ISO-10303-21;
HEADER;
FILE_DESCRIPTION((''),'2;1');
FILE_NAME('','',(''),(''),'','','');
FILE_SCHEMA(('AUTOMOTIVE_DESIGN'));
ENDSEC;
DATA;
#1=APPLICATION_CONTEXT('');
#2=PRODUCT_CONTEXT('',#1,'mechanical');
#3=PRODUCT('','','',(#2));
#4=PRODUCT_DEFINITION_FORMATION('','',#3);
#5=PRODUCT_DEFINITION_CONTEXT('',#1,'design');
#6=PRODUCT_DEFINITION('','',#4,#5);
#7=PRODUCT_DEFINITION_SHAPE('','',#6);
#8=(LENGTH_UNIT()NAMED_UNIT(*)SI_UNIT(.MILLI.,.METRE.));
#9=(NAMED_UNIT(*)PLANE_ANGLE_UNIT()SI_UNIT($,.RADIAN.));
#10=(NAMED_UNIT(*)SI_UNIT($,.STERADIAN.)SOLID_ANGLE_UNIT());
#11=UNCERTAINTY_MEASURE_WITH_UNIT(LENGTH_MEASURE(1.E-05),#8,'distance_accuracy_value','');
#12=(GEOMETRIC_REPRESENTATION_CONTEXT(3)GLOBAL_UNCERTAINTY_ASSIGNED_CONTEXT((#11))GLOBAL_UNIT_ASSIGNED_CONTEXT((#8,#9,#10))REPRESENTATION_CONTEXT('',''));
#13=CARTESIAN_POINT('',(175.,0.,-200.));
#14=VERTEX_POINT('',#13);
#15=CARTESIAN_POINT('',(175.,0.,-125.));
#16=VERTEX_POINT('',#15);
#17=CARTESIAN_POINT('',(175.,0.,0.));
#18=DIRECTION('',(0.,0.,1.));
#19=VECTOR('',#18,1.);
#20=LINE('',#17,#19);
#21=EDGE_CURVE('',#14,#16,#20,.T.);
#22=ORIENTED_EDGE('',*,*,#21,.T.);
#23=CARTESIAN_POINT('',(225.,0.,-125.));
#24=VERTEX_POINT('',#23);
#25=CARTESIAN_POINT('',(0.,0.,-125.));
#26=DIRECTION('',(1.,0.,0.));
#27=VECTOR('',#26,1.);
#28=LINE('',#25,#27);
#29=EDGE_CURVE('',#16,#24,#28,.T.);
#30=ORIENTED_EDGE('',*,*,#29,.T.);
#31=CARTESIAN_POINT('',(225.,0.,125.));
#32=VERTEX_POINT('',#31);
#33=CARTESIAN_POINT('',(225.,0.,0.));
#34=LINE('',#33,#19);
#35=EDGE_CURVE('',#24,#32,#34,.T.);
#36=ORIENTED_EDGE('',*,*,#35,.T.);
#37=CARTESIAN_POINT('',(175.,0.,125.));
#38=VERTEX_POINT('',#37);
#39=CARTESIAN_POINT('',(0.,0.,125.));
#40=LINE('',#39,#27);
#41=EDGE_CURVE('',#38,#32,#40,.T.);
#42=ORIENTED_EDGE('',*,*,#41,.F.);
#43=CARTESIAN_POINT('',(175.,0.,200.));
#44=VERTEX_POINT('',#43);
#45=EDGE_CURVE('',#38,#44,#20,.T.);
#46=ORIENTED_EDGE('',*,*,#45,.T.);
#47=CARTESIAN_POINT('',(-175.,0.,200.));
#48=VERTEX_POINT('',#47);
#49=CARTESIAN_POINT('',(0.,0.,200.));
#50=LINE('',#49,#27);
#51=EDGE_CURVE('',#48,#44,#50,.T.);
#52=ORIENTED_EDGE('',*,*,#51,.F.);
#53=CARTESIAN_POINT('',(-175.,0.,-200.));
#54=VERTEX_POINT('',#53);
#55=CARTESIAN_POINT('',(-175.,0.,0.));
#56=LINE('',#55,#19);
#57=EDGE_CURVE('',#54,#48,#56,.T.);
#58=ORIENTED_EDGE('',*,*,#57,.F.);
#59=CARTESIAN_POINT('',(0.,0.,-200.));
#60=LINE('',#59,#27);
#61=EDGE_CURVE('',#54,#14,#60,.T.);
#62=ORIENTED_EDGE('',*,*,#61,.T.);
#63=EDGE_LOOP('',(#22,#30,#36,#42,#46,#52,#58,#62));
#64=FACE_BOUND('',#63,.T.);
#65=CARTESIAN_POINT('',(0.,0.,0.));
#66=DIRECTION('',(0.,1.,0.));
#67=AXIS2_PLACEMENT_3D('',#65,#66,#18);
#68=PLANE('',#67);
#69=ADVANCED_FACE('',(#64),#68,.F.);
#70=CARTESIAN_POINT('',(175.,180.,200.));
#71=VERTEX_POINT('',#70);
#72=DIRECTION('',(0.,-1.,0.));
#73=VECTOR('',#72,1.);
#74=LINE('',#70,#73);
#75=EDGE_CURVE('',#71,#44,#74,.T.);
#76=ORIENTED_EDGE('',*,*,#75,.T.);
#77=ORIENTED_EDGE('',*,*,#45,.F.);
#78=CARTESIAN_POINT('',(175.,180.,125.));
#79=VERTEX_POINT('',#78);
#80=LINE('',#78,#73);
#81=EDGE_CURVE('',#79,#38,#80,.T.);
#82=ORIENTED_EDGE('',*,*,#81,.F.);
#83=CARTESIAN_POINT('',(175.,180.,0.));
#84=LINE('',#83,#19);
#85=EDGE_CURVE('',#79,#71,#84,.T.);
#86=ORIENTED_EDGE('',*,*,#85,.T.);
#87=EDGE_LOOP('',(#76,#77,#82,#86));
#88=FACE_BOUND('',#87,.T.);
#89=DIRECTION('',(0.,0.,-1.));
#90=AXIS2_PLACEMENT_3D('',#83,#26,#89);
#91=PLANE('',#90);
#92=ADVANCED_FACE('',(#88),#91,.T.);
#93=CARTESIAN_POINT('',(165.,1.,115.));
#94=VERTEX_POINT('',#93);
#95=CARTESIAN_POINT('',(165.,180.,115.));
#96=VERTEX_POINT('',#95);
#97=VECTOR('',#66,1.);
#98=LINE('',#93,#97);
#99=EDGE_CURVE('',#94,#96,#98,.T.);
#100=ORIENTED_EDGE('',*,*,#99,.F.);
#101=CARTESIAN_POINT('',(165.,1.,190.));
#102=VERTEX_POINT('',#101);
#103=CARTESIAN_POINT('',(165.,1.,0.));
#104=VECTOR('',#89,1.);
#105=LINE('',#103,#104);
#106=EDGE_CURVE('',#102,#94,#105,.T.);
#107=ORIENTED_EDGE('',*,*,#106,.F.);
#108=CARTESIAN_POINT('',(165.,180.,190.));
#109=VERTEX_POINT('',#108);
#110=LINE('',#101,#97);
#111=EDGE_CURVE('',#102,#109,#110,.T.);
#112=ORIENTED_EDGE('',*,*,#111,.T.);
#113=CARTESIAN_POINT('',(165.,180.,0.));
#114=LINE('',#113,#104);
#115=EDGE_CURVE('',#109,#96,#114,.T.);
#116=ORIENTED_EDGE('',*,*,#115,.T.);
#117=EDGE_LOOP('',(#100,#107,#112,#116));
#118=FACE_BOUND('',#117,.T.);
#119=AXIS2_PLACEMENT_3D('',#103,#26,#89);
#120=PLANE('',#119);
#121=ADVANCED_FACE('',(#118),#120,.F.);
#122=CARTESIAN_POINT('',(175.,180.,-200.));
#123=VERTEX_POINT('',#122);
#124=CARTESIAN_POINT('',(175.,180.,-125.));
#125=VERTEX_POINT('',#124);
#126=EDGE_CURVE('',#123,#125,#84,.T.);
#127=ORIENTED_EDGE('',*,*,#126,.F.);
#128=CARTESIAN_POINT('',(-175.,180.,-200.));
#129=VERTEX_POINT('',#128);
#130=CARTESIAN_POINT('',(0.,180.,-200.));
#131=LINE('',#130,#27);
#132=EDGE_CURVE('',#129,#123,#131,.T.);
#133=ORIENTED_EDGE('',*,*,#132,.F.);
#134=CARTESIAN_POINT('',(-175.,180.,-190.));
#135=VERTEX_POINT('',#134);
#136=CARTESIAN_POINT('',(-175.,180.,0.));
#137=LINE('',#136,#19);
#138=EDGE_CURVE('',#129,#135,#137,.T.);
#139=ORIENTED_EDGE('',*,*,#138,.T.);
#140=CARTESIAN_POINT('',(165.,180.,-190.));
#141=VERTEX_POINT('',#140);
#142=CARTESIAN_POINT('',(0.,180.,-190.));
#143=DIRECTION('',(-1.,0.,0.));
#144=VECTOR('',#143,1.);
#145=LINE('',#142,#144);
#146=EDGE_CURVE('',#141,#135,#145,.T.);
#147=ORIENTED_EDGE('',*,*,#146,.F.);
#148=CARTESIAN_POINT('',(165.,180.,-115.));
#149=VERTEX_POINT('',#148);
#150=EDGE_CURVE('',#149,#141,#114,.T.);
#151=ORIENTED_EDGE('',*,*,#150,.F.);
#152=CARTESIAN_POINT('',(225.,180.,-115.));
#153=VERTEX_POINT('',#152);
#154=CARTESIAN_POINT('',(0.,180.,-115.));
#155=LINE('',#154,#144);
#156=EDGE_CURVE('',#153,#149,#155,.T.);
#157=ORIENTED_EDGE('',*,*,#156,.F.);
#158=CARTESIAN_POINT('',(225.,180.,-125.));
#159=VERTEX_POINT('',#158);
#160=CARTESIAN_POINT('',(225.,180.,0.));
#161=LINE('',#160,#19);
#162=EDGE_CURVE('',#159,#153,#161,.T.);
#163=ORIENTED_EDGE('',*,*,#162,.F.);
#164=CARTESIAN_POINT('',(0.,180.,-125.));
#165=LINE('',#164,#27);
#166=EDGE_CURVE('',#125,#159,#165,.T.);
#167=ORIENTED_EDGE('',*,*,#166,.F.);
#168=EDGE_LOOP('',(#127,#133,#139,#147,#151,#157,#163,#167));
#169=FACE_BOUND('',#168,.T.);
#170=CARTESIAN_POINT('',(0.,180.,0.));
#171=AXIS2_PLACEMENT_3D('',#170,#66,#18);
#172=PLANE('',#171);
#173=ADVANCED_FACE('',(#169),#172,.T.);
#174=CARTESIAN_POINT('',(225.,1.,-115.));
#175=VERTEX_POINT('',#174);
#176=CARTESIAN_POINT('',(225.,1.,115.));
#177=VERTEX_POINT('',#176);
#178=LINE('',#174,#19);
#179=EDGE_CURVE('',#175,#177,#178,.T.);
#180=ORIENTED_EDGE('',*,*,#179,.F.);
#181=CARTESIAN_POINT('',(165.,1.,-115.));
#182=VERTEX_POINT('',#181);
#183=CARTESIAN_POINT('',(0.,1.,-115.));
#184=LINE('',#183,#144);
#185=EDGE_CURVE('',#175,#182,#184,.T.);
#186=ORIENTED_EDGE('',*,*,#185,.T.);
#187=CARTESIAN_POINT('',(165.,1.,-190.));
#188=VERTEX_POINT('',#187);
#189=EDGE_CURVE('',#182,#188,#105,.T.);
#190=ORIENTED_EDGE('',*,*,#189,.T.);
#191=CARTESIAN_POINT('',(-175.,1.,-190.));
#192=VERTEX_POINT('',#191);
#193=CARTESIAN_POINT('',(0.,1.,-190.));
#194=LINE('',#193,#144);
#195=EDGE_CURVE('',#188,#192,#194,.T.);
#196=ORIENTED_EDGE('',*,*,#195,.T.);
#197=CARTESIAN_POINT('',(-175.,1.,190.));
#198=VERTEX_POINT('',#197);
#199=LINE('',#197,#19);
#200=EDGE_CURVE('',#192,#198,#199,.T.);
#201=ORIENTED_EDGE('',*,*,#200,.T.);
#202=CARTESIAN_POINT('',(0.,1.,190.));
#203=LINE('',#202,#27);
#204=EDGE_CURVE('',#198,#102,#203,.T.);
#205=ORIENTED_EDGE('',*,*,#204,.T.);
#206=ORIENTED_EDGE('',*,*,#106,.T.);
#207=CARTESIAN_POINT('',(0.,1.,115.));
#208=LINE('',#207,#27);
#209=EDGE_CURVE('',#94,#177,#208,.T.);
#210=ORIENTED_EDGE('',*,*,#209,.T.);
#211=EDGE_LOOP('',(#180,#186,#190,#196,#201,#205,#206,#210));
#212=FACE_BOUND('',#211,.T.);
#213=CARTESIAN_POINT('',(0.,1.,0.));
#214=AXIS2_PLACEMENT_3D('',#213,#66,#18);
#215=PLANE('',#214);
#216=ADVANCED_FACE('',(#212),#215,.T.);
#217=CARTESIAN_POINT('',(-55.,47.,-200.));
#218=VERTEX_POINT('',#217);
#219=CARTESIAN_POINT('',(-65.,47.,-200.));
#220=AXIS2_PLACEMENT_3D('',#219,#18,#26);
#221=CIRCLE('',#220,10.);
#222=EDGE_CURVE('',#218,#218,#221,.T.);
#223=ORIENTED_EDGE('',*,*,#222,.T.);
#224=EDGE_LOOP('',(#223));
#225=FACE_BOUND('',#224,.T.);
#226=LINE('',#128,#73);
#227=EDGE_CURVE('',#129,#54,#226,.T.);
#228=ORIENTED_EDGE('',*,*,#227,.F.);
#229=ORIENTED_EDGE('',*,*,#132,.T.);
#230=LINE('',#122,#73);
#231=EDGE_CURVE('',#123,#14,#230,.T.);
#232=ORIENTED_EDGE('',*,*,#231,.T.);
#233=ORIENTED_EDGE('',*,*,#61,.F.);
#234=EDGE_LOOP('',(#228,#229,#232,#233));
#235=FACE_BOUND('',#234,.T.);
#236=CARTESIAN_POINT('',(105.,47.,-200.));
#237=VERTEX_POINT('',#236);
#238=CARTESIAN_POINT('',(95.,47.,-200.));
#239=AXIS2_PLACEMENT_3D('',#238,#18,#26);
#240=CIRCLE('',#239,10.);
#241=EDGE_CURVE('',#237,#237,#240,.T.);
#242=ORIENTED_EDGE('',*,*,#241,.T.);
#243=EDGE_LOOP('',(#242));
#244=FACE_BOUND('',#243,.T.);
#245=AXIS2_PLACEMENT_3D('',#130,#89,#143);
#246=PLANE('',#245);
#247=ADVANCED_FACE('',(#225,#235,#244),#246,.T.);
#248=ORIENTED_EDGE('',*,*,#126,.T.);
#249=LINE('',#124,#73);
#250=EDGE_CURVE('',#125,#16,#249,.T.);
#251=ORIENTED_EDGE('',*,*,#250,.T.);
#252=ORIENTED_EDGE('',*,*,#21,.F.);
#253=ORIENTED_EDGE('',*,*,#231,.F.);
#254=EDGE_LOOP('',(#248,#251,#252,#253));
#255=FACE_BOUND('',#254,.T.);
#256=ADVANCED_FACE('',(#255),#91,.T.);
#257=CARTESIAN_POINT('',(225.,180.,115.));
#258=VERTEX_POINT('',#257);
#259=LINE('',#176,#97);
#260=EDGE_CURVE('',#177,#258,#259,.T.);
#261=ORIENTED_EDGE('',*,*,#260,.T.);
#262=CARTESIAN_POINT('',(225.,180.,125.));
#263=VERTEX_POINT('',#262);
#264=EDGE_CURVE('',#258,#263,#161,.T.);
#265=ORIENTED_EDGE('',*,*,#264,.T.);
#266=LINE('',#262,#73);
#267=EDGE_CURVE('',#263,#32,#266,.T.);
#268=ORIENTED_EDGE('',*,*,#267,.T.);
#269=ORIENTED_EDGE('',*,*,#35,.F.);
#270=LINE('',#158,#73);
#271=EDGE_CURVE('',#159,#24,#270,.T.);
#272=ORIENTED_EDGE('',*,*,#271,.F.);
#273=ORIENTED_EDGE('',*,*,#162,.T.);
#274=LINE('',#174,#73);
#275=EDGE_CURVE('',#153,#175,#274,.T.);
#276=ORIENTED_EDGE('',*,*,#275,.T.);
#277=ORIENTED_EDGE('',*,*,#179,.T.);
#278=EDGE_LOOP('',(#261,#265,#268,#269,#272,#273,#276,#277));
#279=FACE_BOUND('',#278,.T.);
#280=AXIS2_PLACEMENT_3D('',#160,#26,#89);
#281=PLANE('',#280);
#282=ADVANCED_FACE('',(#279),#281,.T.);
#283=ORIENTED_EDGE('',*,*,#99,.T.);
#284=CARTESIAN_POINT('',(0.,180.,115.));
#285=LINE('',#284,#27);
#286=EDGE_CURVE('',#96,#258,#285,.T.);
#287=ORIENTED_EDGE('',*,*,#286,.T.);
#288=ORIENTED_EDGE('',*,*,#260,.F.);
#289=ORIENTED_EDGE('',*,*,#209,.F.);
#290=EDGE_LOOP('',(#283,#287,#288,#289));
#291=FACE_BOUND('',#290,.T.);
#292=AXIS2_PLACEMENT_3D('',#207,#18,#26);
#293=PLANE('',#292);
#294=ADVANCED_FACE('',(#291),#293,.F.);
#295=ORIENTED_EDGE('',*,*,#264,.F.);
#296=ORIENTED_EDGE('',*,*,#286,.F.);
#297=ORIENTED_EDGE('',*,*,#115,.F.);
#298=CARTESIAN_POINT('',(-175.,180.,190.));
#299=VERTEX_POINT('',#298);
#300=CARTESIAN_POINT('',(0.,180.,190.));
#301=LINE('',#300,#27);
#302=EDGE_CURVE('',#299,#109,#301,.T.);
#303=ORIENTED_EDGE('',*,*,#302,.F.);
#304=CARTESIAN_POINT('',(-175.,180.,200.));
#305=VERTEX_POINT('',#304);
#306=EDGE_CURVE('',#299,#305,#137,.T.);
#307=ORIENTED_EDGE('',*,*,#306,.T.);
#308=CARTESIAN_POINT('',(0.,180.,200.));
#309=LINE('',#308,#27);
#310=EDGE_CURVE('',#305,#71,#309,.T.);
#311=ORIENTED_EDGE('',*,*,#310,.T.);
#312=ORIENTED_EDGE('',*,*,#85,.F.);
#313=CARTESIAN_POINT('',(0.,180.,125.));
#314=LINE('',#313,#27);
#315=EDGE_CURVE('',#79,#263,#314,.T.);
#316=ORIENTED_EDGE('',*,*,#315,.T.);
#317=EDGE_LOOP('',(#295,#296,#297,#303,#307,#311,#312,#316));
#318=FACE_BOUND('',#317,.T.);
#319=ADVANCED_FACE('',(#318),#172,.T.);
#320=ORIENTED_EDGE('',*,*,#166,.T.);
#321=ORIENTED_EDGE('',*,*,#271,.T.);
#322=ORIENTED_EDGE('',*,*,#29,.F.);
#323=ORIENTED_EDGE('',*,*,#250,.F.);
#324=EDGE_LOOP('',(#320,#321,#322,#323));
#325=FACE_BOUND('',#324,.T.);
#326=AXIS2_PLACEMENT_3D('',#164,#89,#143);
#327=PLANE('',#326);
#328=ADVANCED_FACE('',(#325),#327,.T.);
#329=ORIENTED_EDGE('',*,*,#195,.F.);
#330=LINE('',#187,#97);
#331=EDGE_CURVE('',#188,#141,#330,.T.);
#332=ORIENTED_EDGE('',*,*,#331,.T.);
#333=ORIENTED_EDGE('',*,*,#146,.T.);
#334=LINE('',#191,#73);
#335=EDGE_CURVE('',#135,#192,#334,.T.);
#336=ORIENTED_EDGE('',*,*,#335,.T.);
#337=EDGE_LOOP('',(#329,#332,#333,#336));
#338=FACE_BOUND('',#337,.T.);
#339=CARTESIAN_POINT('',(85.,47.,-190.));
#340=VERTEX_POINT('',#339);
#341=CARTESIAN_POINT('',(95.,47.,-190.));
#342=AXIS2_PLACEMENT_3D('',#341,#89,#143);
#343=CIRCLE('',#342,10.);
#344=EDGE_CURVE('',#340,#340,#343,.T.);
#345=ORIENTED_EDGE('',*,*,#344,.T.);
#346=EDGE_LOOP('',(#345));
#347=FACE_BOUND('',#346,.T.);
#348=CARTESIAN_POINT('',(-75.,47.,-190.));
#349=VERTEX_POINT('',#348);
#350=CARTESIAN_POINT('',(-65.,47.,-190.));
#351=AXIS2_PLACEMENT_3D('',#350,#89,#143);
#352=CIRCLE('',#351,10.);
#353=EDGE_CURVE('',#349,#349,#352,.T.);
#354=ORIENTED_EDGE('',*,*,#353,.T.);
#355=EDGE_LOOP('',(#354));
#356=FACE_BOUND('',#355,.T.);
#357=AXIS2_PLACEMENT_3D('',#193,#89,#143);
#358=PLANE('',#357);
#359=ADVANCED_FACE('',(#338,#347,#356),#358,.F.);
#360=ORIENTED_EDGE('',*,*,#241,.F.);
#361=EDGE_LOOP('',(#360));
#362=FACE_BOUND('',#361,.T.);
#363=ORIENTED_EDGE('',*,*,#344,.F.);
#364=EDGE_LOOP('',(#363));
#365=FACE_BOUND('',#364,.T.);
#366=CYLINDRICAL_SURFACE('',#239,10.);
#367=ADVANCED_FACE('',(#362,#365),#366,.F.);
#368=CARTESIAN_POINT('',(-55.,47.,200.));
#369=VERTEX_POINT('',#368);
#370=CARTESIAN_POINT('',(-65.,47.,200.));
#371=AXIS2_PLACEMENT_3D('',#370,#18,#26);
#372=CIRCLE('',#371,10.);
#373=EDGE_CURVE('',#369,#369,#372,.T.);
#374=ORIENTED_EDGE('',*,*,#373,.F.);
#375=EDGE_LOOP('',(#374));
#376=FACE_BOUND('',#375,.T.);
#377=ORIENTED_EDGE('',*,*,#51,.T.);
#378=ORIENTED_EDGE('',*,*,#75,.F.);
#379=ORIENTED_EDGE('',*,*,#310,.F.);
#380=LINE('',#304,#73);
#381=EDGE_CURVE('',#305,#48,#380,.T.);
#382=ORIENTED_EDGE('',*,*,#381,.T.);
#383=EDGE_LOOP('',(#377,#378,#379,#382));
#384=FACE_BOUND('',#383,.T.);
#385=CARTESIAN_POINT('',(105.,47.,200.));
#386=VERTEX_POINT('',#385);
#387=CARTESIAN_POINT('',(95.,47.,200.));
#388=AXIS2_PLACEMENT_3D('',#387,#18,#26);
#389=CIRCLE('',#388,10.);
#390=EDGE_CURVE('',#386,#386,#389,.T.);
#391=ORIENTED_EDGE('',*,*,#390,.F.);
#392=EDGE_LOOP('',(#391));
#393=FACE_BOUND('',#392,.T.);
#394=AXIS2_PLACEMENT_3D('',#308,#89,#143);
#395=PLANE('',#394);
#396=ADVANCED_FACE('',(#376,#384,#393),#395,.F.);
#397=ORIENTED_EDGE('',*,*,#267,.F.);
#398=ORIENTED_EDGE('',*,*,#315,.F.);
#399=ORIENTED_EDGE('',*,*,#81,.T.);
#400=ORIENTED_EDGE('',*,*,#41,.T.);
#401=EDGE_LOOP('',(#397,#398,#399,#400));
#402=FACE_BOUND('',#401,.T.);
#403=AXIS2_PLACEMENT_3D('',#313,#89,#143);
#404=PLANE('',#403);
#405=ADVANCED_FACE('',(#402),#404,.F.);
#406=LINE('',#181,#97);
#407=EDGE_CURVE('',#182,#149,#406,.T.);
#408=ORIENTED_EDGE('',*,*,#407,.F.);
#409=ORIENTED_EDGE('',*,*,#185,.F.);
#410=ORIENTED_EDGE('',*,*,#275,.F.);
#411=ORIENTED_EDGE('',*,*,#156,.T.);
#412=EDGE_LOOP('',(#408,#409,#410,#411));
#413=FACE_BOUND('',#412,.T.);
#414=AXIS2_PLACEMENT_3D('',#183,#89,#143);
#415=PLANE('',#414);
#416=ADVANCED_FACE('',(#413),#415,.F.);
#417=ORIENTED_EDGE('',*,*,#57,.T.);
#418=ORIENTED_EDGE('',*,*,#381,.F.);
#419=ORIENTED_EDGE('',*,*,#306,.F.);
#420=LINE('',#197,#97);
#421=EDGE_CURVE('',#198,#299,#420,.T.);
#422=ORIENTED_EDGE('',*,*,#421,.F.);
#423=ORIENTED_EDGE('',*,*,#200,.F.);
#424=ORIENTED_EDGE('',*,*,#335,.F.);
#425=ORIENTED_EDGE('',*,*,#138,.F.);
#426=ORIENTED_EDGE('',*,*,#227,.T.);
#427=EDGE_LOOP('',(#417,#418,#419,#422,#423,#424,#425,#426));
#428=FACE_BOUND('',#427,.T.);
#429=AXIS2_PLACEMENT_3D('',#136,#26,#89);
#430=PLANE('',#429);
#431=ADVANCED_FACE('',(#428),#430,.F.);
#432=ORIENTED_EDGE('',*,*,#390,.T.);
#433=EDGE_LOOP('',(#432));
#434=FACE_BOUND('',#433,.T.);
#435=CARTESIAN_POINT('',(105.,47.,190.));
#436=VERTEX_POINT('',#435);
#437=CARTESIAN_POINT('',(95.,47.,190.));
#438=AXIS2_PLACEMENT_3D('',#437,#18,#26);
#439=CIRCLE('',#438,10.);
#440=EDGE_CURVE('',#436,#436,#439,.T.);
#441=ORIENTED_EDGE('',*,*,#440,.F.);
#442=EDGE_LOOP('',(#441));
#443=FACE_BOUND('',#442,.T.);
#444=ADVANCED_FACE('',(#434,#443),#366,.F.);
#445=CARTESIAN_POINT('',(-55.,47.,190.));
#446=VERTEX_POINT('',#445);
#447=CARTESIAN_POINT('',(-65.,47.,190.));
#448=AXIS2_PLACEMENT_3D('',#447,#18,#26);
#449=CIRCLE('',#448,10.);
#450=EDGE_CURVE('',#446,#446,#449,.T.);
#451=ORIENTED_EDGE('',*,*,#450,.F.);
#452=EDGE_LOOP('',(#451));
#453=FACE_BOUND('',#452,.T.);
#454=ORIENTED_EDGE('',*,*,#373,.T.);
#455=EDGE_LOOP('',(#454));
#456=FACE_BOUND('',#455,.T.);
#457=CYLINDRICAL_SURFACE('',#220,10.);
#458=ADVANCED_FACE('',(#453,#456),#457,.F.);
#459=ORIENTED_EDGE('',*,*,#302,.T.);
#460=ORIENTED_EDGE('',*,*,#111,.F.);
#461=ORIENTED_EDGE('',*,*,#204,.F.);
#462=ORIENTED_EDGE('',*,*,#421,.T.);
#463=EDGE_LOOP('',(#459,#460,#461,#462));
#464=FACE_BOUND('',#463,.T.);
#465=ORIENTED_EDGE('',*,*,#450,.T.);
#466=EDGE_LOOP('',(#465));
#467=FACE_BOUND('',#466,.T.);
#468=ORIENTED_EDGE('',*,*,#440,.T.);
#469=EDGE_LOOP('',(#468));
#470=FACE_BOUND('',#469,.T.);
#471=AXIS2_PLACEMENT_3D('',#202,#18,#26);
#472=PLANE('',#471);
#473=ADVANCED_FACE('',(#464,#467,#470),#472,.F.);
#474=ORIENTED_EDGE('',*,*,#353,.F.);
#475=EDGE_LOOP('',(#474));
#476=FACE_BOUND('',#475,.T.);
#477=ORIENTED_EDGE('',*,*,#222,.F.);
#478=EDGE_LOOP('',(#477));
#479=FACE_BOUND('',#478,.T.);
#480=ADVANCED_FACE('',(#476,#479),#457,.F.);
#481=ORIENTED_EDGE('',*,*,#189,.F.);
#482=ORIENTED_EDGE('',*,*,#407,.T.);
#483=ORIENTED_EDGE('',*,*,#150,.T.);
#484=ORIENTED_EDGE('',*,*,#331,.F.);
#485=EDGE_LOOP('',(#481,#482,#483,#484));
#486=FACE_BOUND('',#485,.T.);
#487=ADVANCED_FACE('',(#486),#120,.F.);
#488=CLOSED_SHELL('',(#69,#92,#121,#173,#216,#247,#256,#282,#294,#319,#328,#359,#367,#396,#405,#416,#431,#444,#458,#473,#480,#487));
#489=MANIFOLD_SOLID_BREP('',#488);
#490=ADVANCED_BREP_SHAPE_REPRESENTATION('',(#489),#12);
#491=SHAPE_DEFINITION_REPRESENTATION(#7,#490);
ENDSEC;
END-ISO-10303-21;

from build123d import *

# Parameters (mm, degrees)
SKETCH1_W           = 350
SKETCH1_H           = 400
SKETCH1_W_2         = 50
SKETCH1_H_2         = 250
BOSS_EXTRUDE1_DEPTH = 180
CUT_EXTRUDE1_DEPTH  = 179
SKETCH3_W           = 230
SKETCH3_H           = 179
CUT_EXTRUDE2_DEPTH  = 10
SKETCH4_W           = 380
SKETCH4_H           = 179
CUT_EXTRUDE3_DEPTH  = 10
SKETCH5_R           = 10
CUT_EXTRUDE4_DEPTH  = 401


with BuildPart() as part:
    # Sketch1 → Boss-Extrude1 (new body)
    with BuildSketch(Plane(origin=(0, 0, 0), x_dir=(1, 0, 0), z_dir=(0, 1, 0))):
        Rectangle(SKETCH1_W, SKETCH1_H)
        with Locations((200, 0)):
            Rectangle(SKETCH1_W_2, SKETCH1_H_2)
    extrude(amount=BOSS_EXTRUDE1_DEPTH)

    # Sketch2 → Cut-Extrude1 (cut)
    with BuildSketch(Plane(origin=(0, 180, 0), x_dir=(1, 0, 0), z_dir=(0, 1, 0))):
        Polygon((215, 115), (165, 115), (165, 190), (-165, 190), (-165, -190), (165, -190), (165, -115), (215, -115), align=None)
    extrude(amount=-CUT_EXTRUDE1_DEPTH, mode=Mode.SUBTRACT)

    # Sketch3 → Cut-Extrude2 (cut)
    with BuildSketch(Plane.ZY.offset(-215)):
        with Locations((0, 90.5)):
            Rectangle(SKETCH3_W, SKETCH3_H)
    extrude(amount=-CUT_EXTRUDE2_DEPTH, mode=Mode.SUBTRACT)

    # Sketch4 → Cut-Extrude3 (cut)
    with BuildSketch(Plane(origin=(-165, 0, 0), x_dir=(0, 0, -1), z_dir=(1, 0, 0))):
        with Locations((0, 90.5)):
            Rectangle(SKETCH4_W, SKETCH4_H)
    extrude(amount=-CUT_EXTRUDE3_DEPTH, mode=Mode.SUBTRACT)

    # Sketch5 → Cut-Extrude4 (cut, through all)
    with BuildSketch(Plane.XY.offset(200)):
        with Locations((95, 47)):
            Circle(SKETCH5_R)
        with Locations((-65, 47)):
            Circle(SKETCH5_R)
    extrude(amount=-CUT_EXTRUDE4_DEPTH, mode=Mode.SUBTRACT)


solid = part.part
